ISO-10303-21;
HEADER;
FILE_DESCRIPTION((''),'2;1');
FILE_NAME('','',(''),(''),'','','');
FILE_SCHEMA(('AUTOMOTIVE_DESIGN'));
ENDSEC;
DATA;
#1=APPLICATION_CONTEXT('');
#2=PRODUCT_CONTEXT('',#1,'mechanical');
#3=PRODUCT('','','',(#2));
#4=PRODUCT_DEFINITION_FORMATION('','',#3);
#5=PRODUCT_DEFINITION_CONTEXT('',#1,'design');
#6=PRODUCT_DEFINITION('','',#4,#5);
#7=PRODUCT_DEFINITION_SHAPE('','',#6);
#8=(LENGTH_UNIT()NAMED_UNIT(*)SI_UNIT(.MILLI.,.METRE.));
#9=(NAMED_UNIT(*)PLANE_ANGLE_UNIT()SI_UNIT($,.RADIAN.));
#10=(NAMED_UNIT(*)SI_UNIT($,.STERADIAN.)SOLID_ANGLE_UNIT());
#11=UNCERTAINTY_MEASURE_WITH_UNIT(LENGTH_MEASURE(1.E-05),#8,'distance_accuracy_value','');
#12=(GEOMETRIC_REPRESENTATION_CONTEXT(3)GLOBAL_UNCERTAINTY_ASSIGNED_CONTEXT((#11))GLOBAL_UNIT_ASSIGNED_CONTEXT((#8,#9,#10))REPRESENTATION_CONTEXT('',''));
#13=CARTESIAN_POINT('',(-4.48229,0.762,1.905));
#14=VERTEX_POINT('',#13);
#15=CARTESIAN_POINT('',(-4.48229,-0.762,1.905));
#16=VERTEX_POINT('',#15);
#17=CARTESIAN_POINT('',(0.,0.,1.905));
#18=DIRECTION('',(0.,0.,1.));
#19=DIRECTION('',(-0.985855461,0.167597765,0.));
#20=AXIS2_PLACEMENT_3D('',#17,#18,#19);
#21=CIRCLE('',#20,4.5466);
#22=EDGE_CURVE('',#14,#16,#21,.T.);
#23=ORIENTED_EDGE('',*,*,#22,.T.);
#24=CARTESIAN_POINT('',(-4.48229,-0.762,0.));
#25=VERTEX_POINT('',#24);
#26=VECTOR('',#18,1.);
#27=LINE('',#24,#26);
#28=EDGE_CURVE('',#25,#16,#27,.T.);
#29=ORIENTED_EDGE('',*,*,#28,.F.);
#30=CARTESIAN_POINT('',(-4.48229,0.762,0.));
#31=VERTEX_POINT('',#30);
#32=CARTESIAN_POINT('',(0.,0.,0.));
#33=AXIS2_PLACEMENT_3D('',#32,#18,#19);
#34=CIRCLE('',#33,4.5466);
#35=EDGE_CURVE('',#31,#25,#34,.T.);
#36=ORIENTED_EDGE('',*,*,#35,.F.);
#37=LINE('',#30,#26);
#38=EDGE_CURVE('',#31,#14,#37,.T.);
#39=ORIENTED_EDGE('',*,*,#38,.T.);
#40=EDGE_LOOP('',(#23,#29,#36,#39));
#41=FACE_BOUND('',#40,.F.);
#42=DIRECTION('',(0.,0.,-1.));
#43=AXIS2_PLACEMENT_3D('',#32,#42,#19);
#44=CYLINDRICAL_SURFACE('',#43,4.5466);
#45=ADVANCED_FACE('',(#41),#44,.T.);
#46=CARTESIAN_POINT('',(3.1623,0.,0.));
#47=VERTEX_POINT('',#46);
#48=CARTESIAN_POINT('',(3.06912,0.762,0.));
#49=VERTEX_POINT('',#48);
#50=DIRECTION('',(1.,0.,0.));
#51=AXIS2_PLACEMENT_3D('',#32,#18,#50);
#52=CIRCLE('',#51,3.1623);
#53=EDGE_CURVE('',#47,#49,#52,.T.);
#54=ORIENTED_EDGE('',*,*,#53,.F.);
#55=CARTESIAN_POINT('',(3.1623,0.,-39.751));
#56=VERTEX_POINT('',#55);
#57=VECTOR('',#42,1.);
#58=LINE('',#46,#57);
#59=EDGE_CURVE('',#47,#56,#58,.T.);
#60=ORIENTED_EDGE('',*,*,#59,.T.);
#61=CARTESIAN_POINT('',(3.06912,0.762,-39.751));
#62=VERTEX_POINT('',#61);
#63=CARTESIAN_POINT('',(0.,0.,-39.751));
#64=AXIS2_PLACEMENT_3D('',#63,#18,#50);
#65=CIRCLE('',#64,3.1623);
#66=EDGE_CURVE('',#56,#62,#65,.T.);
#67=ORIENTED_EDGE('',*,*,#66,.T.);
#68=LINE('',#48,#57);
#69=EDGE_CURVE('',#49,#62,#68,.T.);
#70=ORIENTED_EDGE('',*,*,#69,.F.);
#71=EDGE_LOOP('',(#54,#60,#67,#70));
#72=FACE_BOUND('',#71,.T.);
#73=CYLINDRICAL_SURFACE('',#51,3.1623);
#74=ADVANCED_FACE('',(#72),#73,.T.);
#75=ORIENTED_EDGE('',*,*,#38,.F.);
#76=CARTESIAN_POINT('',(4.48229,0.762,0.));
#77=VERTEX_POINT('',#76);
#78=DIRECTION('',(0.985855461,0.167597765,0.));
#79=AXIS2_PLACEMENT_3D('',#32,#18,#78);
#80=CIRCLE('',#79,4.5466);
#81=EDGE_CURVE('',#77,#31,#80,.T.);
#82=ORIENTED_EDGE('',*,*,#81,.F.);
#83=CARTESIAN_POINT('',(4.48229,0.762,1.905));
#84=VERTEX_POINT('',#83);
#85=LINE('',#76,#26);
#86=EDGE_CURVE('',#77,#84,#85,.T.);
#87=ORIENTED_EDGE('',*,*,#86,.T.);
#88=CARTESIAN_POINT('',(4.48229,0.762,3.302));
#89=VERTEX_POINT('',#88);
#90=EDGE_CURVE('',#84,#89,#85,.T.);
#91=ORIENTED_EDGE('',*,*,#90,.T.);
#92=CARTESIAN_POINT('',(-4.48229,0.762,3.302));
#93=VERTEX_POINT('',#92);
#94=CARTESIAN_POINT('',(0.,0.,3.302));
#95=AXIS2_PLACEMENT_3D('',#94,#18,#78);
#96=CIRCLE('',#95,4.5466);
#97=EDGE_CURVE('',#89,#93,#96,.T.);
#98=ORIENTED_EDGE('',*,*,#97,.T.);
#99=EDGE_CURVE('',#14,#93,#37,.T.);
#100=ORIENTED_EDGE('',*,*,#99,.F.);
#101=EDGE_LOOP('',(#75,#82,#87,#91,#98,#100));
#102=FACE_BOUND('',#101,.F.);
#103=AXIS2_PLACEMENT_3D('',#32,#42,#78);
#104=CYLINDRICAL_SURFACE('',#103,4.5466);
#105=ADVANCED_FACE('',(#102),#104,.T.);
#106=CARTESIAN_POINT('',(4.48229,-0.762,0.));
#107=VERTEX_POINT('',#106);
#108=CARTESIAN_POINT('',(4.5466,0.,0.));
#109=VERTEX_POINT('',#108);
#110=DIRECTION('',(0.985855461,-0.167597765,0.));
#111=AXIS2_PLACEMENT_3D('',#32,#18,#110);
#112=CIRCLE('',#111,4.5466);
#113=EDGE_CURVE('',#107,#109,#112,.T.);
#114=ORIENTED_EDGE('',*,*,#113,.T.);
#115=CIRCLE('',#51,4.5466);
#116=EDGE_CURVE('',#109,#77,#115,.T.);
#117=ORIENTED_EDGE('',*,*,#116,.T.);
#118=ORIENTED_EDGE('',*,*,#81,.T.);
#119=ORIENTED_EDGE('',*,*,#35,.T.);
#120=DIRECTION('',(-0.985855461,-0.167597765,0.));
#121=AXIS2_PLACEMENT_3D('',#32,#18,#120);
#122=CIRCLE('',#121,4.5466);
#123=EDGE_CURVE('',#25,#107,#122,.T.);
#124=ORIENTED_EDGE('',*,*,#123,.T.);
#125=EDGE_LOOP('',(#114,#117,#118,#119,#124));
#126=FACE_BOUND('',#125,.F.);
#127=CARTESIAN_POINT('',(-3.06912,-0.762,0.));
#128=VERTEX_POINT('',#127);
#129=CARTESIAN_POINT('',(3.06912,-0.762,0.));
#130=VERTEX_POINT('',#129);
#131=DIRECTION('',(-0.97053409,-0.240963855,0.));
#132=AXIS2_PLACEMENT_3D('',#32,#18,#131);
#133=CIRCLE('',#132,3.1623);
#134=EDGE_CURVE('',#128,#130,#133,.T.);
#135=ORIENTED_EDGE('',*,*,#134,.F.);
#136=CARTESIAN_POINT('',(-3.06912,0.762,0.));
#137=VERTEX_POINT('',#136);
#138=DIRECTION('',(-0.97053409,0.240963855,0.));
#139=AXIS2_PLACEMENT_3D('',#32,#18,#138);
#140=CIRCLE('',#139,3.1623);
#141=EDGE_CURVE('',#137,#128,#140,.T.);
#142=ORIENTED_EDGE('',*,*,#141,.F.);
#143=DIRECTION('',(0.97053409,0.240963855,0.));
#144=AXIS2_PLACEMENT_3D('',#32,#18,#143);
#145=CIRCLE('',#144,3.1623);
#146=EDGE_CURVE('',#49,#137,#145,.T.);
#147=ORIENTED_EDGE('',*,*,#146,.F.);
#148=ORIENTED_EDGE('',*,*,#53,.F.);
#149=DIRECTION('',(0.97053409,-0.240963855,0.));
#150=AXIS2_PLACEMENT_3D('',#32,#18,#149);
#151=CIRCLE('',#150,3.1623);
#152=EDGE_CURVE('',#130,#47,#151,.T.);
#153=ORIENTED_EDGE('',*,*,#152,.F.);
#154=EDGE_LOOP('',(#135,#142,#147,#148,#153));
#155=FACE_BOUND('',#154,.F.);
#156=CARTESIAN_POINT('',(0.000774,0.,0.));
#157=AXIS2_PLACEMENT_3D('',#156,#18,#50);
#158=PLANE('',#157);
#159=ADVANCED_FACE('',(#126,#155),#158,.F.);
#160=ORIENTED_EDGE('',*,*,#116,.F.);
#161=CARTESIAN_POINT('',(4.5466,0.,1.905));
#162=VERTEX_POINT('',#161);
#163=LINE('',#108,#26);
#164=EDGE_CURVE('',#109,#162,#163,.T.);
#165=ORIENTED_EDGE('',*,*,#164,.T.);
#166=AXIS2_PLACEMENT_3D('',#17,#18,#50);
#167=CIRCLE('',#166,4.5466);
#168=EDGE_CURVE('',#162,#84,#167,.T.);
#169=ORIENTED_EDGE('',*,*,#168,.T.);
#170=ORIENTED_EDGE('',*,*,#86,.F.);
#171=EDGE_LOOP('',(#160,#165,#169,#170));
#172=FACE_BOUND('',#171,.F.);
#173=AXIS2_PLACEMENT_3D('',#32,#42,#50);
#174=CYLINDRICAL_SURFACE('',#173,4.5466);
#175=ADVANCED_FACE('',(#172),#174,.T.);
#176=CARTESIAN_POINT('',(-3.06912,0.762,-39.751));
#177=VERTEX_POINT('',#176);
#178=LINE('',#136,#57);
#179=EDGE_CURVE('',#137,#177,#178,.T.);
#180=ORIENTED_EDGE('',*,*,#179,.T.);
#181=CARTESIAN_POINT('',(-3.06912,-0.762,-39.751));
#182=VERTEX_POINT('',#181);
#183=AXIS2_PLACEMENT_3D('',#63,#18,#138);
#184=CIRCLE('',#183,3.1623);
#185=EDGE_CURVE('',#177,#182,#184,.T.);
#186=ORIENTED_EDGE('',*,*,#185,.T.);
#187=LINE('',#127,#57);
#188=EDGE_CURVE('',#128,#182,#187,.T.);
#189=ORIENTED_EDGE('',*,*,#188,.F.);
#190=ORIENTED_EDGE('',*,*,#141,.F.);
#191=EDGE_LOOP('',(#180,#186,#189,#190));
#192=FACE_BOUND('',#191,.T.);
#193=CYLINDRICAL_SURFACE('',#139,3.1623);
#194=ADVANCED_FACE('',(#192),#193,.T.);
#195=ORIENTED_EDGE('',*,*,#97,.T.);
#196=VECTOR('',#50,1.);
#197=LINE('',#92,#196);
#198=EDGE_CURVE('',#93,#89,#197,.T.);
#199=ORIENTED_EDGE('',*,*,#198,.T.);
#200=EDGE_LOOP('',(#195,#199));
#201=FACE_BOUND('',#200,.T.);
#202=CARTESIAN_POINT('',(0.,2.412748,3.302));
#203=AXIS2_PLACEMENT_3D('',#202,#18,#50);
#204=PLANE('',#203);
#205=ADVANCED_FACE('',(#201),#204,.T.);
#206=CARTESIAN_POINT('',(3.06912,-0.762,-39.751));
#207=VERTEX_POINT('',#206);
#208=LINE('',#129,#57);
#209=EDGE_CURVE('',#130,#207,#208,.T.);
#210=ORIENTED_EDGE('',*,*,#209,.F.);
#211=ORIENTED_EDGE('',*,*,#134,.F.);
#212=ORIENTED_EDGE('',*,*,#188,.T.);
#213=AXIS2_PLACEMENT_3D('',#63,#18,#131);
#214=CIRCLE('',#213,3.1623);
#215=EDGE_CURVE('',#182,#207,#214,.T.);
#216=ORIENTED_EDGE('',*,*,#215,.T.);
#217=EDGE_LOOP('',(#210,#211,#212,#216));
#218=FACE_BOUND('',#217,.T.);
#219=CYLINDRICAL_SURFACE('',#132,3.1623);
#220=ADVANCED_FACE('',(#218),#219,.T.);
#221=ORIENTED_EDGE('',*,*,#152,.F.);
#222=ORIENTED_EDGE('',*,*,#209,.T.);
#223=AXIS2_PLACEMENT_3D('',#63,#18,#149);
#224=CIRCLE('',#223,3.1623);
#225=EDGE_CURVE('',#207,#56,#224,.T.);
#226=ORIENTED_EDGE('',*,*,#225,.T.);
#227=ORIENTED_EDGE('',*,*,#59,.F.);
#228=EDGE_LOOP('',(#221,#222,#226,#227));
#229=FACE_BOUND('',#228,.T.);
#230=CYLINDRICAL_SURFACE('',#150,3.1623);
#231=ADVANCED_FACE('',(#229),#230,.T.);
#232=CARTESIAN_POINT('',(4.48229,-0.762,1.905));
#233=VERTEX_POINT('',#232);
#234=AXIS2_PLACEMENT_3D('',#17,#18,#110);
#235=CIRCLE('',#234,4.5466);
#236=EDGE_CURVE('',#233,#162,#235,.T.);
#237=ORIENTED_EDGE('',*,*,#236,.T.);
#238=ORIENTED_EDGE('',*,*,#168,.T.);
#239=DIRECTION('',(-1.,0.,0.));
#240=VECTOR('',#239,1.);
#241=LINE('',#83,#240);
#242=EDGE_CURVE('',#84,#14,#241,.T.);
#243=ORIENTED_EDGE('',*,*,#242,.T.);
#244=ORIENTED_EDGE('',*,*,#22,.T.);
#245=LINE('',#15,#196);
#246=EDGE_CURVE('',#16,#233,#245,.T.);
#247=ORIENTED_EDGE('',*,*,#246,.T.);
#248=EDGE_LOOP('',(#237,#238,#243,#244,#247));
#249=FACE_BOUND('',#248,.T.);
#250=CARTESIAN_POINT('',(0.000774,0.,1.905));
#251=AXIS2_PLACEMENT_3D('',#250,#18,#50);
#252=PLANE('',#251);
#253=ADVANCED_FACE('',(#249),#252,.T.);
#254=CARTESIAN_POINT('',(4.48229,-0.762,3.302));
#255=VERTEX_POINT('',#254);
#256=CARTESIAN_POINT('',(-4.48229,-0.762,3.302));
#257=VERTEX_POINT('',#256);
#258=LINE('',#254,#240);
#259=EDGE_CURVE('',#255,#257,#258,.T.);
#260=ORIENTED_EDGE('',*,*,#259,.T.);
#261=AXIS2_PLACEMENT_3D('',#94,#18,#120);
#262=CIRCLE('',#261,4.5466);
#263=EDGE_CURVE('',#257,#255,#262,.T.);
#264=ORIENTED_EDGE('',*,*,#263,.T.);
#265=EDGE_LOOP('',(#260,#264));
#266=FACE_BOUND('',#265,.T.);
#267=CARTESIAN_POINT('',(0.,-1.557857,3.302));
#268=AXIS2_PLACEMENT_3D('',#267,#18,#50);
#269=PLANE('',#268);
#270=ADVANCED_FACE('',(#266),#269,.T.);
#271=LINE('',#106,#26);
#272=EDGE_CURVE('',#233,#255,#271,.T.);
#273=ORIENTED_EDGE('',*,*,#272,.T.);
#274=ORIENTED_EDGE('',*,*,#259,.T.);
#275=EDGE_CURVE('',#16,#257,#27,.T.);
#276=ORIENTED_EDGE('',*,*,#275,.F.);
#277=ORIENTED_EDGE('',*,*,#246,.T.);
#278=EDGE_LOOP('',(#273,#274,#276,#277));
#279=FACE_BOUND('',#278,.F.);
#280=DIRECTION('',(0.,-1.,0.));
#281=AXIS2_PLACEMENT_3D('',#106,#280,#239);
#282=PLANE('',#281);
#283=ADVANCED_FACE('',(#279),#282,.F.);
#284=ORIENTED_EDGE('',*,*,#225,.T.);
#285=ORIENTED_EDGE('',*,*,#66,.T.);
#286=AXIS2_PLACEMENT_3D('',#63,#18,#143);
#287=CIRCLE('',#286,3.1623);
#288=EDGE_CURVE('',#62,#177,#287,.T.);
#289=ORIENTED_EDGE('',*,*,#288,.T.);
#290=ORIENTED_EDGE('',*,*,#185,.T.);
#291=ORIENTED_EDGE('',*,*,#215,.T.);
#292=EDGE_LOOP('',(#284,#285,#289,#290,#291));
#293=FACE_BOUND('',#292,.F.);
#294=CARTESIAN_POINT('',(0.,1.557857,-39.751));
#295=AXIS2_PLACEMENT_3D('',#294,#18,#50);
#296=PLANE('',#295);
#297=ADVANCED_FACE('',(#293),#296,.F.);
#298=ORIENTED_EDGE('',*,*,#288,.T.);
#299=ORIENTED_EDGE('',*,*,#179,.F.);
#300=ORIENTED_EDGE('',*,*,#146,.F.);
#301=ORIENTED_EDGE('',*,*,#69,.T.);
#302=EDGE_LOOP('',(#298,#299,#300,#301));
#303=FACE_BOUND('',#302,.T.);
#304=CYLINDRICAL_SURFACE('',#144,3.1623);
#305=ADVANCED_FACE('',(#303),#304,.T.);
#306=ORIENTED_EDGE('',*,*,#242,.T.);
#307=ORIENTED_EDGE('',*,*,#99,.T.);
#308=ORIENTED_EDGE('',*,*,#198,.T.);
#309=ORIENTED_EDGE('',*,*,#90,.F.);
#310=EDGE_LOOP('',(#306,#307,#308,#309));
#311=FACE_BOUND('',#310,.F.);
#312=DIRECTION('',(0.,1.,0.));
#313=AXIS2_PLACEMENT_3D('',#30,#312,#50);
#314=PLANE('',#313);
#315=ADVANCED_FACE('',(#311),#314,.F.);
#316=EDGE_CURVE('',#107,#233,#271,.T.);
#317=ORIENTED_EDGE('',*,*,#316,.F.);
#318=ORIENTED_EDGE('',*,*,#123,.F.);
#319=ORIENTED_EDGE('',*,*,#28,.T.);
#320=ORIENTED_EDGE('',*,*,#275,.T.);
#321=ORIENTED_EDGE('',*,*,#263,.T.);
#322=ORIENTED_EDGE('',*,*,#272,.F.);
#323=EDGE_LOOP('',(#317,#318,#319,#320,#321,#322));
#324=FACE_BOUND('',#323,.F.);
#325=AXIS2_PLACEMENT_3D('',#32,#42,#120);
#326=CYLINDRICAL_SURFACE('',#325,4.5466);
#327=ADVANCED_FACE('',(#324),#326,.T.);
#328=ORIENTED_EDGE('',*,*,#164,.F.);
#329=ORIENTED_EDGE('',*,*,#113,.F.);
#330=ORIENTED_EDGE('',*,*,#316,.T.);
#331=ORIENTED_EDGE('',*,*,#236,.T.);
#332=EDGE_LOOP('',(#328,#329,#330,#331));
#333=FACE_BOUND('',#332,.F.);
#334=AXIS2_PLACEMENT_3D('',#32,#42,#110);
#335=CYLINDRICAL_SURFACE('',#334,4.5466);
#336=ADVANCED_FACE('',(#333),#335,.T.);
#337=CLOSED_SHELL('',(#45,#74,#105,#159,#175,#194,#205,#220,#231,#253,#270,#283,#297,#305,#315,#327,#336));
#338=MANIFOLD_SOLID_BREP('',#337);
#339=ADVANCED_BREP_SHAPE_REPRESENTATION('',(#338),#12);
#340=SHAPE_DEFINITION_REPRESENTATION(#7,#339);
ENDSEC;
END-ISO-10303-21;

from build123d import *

# Parameters (mm, degrees)
F1_DEPTH = 3.302
F2_DEPTH = 1.905
F3_DEPTH = 39.751


with BuildPart() as f1:
    # F0 (on Top) → F1 (new body)
    with BuildSketch(Plane.XY):
        with BuildLine():
            Line((3.0691199537, 0.762), (4.4822904368, 0.762))
            ThreePointArc((4.4822904368, 0.762), (0, 4.5466), (-4.4822904368, 0.762))
            Line((-4.4822904368, 0.762), (-3.0691199537, 0.762))
            ThreePointArc((-3.0691199537, 0.762), (0, 3.1623), (3.0691199537, 0.762))
        make_face()
        with BuildLine():
            Line((-3.0691199537, 0.762), (3.0691199537, 0.762))
            ThreePointArc((3.0691199537, 0.762), (0, 3.1623), (-3.0691199537, 0.762))
        make_face()
    extrude(amount=F1_DEPTH)



with BuildPart() as f1b:
    # F0 (on Top) → F1, piece 2 (new body)
    with BuildSketch(Plane.XY):
        with BuildLine():
            Line((3.0691199537, -0.762), (-3.0691199537, -0.762))
            ThreePointArc((-3.0691199537, -0.762), (0, -3.1623), (3.0691199537, -0.762))
        make_face()
        with BuildLine():
            ThreePointArc((-4.4822904368, -0.762), (0, -4.5466), (4.4822904368, -0.762))
            Line((4.4822904368, -0.762), (3.0691199537, -0.762))
            ThreePointArc((3.0691199537, -0.762), (0, -3.1623), (-3.0691199537, -0.762))
            Line((-3.0691199537, -0.762), (-4.4822904368, -0.762))
        make_face()
    extrude(amount=F1_DEPTH)


with BuildPart() as f1_1:
    add(f1.part)

    add(f1b.part)  # F2 merges F1b
    # F0 (on Top) → F2 (join)
    with BuildSketch(Plane.XY):
        with BuildLine():
            ThreePointArc((3.1623, 0), (3.1389185494, 0.3838380261), (3.0691199537, 0.762))
            Line((3.0691199537, 0.762), (-3.0691199537, 0.762))
            ThreePointArc((-3.0691199537, 0.762), (-3.1623, 0), (-3.0691199537, -0.762))
            Line((-3.0691199537, -0.762), (3.0691199537, -0.762))
            ThreePointArc((3.0691199537, -0.762), (3.1389185494, -0.3838380261), (3.1623, 0))
        make_face()
        with BuildLine():
            ThreePointArc((4.5466, 0), (4.5304940823, 0.3823544559), (4.4822904368, 0.762))
            Line((4.4822904368, 0.762), (3.0691199537, 0.762))
            ThreePointArc((3.0691199537, 0.762), (3.1389185494, 0.3838380261), (3.1623, 0))
            ThreePointArc((3.1623, 0), (3.1389185494, -0.3838380261), (3.0691199537, -0.762))
            Line((3.0691199537, -0.762), (4.4822904368, -0.762))
            ThreePointArc((4.4822904368, -0.762), (4.5304940823, -0.3823544559), (4.5466, 0))
        make_face()
        with BuildLine():
            Line((-3.0691199537, 0.762), (-4.4822904368, 0.762))
            ThreePointArc((-4.4822904368, 0.762), (-4.5466, 0), (-4.4822904368, -0.762))
            Line((-4.4822904368, -0.762), (-3.0691199537, -0.762))
            ThreePointArc((-3.0691199537, -0.762), (-3.1623, 0), (-3.0691199537, 0.762))
        make_face()
    extrude(amount=F2_DEPTH)

    # F0 (on Top) → F3 (join)
    with BuildSketch(Plane.XY):
        with BuildLine():
            Line((-3.0691199537, 0.762), (3.0691199537, 0.762))
            ThreePointArc((3.0691199537, 0.762), (0, 3.1623), (-3.0691199537, 0.762))
        make_face()
        with BuildLine():
            ThreePointArc((3.1623, 0), (3.1389185494, 0.3838380261), (3.0691199537, 0.762))
            Line((3.0691199537, 0.762), (-3.0691199537, 0.762))
            ThreePointArc((-3.0691199537, 0.762), (-3.1623, 0), (-3.0691199537, -0.762))
            Line((-3.0691199537, -0.762), (3.0691199537, -0.762))
            ThreePointArc((3.0691199537, -0.762), (3.1389185494, -0.3838380261), (3.1623, 0))
        make_face()
        with BuildLine():
            Line((3.0691199537, -0.762), (-3.0691199537, -0.762))
            ThreePointArc((-3.0691199537, -0.762), (0, -3.1623), (3.0691199537, -0.762))
        make_face()
    extrude(amount=-F3_DEPTH)


solid = f1_1.part
